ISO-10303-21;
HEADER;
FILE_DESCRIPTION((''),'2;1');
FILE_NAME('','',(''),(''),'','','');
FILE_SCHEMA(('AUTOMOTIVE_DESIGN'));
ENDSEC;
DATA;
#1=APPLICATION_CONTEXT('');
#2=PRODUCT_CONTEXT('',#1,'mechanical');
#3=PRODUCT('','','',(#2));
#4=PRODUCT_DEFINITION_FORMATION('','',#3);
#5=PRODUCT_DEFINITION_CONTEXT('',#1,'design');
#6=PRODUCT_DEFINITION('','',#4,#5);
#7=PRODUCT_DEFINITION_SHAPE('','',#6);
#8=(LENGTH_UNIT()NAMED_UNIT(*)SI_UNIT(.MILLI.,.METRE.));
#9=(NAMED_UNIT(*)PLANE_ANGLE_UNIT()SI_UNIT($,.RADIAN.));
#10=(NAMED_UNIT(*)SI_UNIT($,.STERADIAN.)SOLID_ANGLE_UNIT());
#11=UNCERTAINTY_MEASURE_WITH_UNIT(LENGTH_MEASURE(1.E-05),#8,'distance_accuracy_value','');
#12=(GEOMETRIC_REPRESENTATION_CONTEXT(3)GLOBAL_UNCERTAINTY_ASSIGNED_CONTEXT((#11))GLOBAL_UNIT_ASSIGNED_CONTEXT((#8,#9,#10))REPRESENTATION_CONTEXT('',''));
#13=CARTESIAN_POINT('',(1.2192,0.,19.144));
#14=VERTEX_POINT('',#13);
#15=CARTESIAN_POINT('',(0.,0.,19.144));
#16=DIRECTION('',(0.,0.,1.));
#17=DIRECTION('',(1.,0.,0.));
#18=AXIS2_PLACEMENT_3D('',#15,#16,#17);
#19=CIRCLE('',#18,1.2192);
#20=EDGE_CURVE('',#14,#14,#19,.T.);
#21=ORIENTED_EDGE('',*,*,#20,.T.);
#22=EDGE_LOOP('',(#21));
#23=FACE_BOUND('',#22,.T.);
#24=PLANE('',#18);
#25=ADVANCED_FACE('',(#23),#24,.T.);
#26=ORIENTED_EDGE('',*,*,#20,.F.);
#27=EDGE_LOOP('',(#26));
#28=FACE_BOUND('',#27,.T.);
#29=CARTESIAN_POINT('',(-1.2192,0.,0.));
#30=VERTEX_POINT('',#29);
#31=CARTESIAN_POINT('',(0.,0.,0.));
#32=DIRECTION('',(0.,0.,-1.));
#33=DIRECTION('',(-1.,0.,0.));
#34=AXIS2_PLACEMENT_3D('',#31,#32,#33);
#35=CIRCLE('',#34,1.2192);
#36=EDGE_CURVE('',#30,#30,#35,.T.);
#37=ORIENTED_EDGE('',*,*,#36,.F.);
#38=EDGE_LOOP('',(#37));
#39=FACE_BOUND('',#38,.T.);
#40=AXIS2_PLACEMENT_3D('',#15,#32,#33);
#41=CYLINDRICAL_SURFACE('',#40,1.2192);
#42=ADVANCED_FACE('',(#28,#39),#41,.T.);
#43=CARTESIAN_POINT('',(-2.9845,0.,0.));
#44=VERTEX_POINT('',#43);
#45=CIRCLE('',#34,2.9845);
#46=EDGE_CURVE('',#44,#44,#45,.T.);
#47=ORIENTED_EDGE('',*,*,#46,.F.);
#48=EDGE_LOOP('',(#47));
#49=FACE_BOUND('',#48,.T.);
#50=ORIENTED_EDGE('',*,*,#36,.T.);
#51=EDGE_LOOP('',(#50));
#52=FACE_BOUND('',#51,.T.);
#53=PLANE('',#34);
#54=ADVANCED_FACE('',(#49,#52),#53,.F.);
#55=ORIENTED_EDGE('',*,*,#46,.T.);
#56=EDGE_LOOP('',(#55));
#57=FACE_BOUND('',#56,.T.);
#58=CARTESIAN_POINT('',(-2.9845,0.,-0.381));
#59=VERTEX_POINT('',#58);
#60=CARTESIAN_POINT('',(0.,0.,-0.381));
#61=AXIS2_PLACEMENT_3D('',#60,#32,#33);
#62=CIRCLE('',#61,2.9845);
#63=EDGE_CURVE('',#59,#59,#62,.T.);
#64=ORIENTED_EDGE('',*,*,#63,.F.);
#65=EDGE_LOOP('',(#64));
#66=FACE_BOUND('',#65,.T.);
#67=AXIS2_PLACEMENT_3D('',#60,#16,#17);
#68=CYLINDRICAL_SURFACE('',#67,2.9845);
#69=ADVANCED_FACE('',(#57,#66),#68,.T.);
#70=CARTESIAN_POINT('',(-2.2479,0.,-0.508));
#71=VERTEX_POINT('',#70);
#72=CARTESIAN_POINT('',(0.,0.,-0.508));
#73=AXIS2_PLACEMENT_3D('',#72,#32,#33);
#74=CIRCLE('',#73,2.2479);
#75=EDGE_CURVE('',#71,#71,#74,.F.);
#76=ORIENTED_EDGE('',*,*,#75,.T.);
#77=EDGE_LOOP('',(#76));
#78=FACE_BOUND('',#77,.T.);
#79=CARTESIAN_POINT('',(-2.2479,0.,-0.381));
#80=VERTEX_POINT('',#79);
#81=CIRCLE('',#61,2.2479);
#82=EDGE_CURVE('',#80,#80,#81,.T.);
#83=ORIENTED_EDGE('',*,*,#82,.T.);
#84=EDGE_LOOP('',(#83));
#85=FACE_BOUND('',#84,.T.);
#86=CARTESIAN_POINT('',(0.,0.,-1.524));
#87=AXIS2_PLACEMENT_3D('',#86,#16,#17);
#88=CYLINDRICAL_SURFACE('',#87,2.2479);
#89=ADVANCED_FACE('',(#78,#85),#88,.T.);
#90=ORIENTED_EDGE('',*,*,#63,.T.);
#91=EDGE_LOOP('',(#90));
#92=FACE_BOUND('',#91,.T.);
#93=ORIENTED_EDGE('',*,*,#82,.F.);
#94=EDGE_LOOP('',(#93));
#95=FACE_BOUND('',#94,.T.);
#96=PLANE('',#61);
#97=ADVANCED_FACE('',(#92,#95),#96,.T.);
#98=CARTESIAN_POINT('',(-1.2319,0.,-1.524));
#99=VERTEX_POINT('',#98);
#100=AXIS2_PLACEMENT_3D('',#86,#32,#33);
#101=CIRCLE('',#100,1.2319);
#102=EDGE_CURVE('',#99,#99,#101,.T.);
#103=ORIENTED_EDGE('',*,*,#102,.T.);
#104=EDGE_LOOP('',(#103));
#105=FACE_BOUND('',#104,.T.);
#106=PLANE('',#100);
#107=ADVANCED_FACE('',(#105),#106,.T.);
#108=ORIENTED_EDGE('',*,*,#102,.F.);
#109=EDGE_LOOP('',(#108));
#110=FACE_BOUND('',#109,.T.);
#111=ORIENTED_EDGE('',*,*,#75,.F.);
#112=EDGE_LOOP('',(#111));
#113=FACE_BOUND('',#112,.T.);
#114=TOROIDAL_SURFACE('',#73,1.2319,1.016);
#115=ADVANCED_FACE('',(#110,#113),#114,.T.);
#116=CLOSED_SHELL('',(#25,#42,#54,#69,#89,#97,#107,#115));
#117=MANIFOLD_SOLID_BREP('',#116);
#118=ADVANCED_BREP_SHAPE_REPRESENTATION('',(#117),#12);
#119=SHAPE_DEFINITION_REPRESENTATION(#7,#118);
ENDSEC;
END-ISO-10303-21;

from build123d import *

# Parameters (mm, degrees)
SKETCH1_R      = 1.2192
EXTRUDE1_DEPTH = 19.144
SKETCH2_R      = 2.9845
EXTRUDE2_DEPTH = 0.381
SKETCH3_R      = 2.2479
EXTRUDE3_DEPTH = 1.143
FILLET1_R      = 1.016


with BuildPart() as part:
    # Sketch1 → Extrude1 (new body)
    with BuildSketch(Plane.XY):
        Circle(SKETCH1_R)
    extrude(amount=EXTRUDE1_DEPTH)

    # Sketch2 → Extrude2 (add)
    with BuildSketch(Plane(origin=(0, 0, 0), x_dir=(-1, 0, 0), z_dir=(0, 0, -1))):
        Circle(SKETCH2_R)
    extrude(amount=EXTRUDE2_DEPTH)

    # Sketch3 → Extrude3 (add)
    with BuildSketch(Plane(origin=(0, 0, -0.381), x_dir=(-1, 0, 0), z_dir=(0, 0, -1))):
        Circle(SKETCH3_R)
    extrude(amount=EXTRUDE3_DEPTH)

    # Fillet1
    fillet1_edges = [part.edges().sort_by_distance(p)[0] for p in [
        (2.2479, 0, -1.524),
    ]]
    fillet(fillet1_edges, radius=FILLET1_R)


solid = part.part
